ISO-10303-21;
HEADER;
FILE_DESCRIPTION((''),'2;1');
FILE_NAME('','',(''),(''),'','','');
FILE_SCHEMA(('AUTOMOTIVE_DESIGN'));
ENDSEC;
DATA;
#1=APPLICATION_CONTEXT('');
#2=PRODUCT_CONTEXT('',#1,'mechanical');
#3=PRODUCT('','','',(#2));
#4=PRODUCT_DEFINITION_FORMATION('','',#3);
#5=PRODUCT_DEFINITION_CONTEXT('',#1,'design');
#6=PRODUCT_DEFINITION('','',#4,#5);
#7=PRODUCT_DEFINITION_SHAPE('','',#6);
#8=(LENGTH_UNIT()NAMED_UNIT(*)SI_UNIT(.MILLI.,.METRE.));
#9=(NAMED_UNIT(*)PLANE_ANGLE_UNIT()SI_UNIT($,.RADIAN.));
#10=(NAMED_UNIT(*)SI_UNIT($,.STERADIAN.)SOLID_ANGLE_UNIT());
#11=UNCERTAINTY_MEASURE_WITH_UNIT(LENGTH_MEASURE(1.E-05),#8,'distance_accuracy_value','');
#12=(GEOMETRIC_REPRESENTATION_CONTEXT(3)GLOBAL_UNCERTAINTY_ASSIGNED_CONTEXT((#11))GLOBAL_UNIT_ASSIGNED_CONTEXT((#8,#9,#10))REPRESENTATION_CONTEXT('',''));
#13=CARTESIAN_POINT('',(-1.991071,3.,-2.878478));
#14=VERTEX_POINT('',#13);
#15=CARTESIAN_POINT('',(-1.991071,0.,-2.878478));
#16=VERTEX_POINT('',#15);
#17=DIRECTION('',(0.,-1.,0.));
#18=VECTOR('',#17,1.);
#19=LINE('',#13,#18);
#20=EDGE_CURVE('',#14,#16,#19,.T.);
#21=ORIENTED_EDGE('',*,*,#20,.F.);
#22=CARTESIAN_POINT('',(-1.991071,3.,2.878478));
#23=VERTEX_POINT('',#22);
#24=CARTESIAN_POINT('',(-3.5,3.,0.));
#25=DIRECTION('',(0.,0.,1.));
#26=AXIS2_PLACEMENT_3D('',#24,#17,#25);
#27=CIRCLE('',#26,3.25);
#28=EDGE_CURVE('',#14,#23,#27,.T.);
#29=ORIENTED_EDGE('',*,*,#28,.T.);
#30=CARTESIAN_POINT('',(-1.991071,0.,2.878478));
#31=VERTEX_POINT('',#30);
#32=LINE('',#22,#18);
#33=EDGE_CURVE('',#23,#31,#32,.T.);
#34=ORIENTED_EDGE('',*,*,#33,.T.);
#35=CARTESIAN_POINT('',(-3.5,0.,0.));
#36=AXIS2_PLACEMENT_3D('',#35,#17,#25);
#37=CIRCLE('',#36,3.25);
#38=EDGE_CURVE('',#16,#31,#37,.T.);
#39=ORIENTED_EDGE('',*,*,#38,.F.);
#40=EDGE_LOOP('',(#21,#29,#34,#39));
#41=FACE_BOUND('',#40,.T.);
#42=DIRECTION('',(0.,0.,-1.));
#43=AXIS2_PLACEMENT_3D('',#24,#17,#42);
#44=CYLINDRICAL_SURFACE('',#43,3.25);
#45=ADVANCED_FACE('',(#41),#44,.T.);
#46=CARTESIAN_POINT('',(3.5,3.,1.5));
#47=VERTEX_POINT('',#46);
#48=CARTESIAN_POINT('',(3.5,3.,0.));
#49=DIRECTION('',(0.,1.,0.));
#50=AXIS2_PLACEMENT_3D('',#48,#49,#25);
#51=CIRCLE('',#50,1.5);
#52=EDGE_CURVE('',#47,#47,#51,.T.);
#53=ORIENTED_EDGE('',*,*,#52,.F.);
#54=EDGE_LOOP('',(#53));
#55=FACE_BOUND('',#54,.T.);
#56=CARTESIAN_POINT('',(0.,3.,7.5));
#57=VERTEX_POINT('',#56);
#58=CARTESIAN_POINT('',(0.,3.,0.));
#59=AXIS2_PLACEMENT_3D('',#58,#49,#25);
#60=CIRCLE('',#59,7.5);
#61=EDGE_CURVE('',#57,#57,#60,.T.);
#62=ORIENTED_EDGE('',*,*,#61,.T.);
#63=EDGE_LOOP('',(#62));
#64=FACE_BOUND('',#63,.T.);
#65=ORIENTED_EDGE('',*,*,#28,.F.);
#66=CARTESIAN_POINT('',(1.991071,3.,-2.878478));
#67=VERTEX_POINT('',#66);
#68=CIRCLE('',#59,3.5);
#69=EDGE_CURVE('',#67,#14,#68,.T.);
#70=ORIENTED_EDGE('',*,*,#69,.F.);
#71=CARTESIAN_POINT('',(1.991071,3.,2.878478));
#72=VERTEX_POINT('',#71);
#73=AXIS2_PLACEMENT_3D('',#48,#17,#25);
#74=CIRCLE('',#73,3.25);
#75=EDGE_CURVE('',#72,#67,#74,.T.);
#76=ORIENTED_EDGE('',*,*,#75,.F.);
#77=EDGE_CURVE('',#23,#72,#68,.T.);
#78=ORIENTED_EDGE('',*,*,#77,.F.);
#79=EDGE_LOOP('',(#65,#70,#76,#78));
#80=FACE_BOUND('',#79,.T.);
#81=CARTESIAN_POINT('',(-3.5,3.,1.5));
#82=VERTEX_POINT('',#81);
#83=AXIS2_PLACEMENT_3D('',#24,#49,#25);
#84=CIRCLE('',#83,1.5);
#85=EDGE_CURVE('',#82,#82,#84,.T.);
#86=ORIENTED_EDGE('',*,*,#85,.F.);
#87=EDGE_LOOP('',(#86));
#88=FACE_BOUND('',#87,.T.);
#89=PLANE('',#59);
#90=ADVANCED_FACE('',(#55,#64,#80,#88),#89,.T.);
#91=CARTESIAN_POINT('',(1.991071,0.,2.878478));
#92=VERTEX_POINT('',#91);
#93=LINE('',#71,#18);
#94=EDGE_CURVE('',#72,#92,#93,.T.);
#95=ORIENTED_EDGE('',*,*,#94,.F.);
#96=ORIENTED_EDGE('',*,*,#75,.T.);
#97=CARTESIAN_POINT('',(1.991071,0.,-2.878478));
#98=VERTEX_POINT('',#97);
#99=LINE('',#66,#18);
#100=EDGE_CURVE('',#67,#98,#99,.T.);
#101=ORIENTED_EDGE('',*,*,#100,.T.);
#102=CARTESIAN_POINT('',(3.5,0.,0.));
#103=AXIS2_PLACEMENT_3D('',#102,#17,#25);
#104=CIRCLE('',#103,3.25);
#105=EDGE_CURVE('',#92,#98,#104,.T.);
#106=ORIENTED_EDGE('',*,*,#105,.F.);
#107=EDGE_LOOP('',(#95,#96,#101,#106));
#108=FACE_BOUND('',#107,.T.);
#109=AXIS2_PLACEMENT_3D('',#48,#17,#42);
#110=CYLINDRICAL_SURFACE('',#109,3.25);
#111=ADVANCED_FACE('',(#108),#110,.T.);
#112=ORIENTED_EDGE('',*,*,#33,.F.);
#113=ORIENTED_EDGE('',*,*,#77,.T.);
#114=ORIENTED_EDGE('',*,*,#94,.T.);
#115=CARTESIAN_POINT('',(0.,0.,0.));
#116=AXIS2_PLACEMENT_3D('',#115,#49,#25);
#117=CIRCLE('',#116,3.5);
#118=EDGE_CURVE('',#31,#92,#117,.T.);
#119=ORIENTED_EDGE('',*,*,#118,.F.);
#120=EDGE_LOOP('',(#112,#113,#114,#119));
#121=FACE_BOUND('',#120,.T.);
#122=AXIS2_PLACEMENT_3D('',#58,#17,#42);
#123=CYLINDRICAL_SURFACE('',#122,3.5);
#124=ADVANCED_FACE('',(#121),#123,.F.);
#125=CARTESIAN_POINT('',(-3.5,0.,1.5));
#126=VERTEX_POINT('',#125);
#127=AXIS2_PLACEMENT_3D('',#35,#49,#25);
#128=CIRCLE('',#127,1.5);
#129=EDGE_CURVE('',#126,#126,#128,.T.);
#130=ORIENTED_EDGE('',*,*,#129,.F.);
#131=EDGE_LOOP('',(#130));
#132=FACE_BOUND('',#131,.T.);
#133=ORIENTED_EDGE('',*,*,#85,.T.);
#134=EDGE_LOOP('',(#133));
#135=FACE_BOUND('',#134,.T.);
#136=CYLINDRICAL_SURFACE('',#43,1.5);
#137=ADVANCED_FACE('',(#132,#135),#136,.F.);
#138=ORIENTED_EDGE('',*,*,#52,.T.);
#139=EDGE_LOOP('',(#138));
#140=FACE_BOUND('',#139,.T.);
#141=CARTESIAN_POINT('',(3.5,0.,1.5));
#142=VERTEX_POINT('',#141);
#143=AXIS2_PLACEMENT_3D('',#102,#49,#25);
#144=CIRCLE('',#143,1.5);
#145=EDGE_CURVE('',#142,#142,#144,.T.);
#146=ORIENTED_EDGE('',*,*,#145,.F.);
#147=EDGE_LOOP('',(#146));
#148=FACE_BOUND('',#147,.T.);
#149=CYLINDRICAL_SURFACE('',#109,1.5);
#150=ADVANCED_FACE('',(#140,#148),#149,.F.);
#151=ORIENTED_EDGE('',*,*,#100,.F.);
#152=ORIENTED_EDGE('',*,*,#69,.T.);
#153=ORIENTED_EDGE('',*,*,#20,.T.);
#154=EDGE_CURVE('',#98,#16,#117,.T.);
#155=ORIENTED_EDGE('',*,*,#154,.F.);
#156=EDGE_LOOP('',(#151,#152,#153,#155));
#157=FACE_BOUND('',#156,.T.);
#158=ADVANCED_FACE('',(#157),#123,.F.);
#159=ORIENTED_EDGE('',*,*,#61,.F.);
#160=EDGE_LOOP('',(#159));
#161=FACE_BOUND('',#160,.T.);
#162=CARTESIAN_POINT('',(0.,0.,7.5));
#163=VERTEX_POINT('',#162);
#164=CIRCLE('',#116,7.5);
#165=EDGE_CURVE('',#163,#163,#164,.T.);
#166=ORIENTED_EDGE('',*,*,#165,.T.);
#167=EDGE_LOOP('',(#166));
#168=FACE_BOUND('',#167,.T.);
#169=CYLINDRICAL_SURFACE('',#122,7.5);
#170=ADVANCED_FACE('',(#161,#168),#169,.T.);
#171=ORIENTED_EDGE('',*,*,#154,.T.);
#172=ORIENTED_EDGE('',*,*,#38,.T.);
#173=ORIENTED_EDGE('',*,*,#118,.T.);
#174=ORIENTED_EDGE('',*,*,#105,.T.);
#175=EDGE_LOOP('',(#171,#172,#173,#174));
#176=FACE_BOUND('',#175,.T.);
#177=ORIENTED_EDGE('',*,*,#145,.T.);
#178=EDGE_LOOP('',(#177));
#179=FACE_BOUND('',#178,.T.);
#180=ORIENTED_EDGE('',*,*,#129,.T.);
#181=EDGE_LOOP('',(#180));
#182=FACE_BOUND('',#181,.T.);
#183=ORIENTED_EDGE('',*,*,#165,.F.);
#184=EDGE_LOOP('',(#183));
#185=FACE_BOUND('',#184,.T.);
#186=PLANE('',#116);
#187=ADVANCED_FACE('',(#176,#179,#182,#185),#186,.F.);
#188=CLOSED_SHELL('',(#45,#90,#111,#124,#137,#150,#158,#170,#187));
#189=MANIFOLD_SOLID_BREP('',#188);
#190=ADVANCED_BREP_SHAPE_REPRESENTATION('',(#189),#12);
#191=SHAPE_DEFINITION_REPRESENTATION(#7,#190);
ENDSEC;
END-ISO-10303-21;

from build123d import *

# Parameters (mm, degrees)
ESQUISSE1_R        = 7.5
ESQUISSE1_R_2      = 1.5
BOSS_EXTRU_1_DEPTH = 3


with BuildPart() as part:
    # Esquisse1 → Boss.-Extru.1 (new body)
    with BuildSketch(Plane(origin=(0, 0, 0), x_dir=(1, 0, 0), z_dir=(0, 1, 0))):
        Circle(ESQUISSE1_R)
        with Locations((-3.5, 0)):
            Circle(ESQUISSE1_R_2, mode=Mode.SUBTRACT)
        with Locations((3.5, 0)):
            Circle(ESQUISSE1_R_2, mode=Mode.SUBTRACT)
        with BuildLine():
            ThreePointArc((1.991071429, 2.878477821), (0.25, 0), (1.991071429, -2.878477821))
            ThreePointArc((1.991071429, -2.878477821), (0, -3.5), (-1.991071429, -2.878477821))
            ThreePointArc((-1.991071429, -2.878477821), (-0.25, 0), (-1.991071429, 2.878477821))
            ThreePointArc((-1.991071429, 2.878477821), (0, 3.5), (1.991071429, 2.878477821))
        make_face(mode=Mode.SUBTRACT)
    extrude(amount=BOSS_EXTRU_1_DEPTH)


solid = part.part
